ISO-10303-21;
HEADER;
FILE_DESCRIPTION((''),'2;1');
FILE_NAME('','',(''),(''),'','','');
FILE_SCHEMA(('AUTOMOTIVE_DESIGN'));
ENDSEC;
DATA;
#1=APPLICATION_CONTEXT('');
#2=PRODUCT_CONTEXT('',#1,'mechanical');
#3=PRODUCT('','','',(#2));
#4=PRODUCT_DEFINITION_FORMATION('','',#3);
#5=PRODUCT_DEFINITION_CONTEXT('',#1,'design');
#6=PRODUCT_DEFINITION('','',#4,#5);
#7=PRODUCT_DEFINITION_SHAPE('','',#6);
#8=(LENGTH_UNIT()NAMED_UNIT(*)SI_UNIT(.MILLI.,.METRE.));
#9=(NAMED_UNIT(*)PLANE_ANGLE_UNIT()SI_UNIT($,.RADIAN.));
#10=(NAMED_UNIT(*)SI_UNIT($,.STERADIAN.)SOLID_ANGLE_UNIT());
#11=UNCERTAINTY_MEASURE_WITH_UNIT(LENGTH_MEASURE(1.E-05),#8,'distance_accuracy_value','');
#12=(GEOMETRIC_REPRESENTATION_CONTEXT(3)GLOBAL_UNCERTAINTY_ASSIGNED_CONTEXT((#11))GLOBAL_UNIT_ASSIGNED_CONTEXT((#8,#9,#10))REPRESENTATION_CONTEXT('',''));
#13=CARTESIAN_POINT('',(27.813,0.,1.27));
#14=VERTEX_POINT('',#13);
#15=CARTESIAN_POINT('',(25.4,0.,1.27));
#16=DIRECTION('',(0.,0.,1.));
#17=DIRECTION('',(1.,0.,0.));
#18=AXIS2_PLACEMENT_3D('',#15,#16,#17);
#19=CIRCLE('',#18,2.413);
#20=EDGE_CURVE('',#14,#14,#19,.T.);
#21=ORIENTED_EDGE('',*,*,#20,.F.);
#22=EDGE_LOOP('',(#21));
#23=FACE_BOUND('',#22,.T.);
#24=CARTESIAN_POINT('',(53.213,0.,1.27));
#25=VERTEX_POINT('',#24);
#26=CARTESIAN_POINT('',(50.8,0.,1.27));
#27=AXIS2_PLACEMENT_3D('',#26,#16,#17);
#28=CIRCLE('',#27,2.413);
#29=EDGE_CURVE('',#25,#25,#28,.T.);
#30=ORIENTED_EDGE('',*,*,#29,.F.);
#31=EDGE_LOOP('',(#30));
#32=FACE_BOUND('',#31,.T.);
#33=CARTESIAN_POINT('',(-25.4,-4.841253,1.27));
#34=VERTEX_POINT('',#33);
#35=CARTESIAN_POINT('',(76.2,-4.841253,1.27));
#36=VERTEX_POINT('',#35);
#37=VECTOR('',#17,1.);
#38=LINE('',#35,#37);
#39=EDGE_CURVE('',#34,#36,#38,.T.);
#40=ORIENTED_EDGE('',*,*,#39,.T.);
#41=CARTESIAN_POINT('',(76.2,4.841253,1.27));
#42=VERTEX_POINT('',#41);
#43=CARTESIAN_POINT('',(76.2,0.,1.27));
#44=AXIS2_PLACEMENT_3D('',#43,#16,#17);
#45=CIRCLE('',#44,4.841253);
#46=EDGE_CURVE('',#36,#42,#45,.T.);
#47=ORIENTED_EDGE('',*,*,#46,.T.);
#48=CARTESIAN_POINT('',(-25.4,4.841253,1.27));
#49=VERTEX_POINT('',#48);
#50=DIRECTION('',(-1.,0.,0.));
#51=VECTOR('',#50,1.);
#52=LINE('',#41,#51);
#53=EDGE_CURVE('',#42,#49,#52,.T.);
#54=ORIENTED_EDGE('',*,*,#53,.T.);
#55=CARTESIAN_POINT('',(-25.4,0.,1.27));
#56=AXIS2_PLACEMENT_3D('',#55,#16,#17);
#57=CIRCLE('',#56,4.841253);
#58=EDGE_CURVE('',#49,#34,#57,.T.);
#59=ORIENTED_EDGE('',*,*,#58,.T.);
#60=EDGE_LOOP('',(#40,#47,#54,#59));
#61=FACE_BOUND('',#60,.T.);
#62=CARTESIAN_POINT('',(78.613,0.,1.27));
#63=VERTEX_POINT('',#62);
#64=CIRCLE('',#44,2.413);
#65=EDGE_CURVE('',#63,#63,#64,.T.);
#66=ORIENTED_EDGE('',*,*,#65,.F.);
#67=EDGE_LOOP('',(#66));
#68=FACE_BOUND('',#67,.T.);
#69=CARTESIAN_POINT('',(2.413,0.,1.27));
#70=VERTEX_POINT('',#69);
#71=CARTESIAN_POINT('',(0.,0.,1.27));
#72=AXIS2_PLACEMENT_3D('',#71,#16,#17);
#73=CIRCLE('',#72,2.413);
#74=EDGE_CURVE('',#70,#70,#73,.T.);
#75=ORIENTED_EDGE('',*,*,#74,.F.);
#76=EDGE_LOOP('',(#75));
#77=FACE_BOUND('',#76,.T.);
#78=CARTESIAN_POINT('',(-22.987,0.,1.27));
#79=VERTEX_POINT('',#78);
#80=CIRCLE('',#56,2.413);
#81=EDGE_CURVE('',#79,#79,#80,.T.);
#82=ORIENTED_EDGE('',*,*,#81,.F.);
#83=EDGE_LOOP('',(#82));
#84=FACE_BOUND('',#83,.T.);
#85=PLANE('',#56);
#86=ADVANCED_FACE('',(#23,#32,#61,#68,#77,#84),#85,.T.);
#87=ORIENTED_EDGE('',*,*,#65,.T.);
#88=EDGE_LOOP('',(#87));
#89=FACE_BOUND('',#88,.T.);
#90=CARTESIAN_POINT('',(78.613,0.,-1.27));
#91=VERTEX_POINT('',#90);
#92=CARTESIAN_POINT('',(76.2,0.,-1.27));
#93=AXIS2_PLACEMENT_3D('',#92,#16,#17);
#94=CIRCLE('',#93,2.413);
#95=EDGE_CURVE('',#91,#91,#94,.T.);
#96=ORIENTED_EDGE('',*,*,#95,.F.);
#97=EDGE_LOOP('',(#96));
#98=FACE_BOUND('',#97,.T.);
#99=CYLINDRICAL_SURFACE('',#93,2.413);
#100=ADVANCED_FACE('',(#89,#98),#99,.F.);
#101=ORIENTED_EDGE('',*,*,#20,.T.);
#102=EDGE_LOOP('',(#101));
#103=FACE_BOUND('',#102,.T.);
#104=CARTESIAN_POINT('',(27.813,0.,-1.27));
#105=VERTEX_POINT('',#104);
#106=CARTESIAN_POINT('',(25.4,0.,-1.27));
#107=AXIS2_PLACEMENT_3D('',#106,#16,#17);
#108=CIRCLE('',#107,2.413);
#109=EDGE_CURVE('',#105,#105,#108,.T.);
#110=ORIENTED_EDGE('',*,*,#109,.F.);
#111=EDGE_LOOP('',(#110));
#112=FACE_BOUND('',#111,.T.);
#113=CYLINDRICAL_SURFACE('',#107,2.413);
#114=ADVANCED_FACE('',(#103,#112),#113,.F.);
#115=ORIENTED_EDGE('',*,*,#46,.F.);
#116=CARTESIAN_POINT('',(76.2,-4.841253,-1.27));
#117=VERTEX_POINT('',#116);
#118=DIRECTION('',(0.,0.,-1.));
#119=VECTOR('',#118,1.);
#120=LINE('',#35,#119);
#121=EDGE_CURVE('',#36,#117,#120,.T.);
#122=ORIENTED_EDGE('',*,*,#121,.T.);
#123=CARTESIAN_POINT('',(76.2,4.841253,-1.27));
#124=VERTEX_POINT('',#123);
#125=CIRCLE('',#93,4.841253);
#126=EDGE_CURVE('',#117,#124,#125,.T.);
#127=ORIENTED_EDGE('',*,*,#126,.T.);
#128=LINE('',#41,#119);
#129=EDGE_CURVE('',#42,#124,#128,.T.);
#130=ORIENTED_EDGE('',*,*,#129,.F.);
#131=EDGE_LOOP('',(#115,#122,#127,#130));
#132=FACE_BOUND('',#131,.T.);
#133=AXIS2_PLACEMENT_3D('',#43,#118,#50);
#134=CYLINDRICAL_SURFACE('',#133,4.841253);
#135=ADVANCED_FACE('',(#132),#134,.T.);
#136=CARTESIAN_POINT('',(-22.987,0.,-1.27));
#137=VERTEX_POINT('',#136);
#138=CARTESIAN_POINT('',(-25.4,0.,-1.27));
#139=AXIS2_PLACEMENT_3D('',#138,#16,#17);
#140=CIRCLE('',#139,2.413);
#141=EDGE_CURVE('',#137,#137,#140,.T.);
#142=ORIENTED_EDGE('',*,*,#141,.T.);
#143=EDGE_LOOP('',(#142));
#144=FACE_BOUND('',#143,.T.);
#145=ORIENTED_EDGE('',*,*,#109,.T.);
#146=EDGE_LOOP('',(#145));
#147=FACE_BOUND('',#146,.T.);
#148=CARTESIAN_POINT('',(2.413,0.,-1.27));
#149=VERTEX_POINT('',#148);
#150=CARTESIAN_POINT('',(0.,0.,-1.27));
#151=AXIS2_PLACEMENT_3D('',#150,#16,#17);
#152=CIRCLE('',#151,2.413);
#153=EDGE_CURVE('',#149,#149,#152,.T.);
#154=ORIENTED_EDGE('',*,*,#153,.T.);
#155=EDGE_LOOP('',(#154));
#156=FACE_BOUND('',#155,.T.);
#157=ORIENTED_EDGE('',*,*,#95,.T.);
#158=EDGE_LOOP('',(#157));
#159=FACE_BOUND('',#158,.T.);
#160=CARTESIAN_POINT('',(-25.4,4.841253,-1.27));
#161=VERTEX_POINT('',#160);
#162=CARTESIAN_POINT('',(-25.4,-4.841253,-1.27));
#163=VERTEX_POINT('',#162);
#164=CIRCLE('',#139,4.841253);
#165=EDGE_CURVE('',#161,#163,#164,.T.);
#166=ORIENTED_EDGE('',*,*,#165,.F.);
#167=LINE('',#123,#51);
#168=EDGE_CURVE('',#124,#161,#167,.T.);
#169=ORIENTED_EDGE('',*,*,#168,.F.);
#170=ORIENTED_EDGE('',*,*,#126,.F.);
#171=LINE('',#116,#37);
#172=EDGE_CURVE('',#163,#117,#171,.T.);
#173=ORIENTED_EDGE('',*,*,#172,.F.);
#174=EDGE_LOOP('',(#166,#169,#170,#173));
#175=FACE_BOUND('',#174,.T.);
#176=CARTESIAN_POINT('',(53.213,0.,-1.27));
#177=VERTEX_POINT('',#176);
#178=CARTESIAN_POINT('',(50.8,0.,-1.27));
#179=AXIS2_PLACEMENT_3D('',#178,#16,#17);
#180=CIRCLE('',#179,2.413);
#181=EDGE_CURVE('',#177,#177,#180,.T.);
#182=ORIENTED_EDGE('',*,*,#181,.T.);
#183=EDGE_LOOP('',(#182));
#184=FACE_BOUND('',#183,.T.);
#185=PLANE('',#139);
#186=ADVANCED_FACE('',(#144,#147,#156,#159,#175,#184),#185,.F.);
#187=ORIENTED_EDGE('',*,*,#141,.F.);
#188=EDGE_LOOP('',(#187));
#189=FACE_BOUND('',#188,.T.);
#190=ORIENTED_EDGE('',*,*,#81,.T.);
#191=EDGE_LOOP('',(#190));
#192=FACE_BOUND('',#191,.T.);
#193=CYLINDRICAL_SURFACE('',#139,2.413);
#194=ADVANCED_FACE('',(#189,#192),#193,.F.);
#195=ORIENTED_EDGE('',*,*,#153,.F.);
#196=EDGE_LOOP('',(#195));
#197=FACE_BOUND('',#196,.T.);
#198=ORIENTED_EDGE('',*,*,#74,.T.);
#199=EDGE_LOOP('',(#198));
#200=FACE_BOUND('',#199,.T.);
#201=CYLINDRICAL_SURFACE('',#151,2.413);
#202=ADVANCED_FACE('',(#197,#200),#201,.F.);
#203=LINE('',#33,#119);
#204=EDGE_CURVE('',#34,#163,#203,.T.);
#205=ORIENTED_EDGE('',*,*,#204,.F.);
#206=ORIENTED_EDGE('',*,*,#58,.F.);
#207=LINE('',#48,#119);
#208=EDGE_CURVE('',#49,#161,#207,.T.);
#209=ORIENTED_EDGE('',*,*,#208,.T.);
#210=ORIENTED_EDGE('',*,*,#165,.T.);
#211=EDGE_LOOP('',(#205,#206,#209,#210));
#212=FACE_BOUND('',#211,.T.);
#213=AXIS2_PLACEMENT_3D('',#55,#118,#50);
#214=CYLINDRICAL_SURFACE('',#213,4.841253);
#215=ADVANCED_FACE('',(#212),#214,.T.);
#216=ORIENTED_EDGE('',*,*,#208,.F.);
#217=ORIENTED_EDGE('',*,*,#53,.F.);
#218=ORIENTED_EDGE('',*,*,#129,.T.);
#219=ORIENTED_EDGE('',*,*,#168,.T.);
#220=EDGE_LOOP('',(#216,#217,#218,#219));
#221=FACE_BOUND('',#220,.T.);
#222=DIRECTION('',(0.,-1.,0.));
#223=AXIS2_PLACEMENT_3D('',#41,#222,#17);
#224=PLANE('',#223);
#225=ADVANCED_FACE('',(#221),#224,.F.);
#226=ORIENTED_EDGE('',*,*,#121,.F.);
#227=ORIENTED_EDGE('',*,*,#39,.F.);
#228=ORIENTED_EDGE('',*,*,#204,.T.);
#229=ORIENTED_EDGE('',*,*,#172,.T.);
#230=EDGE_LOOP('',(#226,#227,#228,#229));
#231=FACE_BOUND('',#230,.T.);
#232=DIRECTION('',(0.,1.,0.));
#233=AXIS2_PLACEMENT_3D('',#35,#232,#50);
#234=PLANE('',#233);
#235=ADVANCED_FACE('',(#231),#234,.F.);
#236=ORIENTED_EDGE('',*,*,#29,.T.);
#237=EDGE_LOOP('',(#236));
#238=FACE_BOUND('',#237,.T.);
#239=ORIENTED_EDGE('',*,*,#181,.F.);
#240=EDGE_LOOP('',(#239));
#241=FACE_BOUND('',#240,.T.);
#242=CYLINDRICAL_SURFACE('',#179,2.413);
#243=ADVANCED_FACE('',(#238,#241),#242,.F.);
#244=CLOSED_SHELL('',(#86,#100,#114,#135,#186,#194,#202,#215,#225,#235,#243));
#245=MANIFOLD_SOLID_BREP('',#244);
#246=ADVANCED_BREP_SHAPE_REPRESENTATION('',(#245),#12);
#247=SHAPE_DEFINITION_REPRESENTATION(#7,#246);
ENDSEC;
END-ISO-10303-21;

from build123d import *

# Parameters (mm, degrees)
SALIENTE_EXTRUIR3_DEPTH = 1.27
CROQUIS4_R              = 2.413
CORTAR_EXTRUIR2_DEPTH   = 82.225452068
MATRIZL3_COUNT          = 5
MATRIZL3_PITCH          = 25.4


with BuildPart() as part:
    # Croquis1 → Saliente-Extruir3 (new, symmetric)
    with BuildSketch(Plane.XY):
        with BuildLine():
            Line((76.2, -4.841253264), (-25.4, -4.841253264))
            ThreePointArc((-25.4, -4.841253264), (-30.241253264, 0), (-25.4, 4.841253264))
            Line((-25.4, 4.841253264), (76.2, 4.841253264))
            ThreePointArc((76.2, 4.841253264), (81.041253264, 0), (76.2, -4.841253264))
        make_face()
    extrude(amount=SALIENTE_EXTRUIR3_DEPTH, both=True)

    # Croquis4 → Cortar-Extruir2 (cut, through all)
    with BuildSketch(Plane.XY.offset(1.27)):
        with Locations((-25.4, 0)):
            Circle(CROQUIS4_R)
    cortar_extruir2 = extrude(amount=-CORTAR_EXTRUIR2_DEPTH, mode=Mode.SUBTRACT)

    # MatrizL3: Cortar-Extruir2 ×5
    with Locations(*[(i * MATRIZL3_PITCH, 0, 0) for i in range(1, MATRIZL3_COUNT)]):
        add(cortar_extruir2, mode=Mode.SUBTRACT)


solid = part.part
